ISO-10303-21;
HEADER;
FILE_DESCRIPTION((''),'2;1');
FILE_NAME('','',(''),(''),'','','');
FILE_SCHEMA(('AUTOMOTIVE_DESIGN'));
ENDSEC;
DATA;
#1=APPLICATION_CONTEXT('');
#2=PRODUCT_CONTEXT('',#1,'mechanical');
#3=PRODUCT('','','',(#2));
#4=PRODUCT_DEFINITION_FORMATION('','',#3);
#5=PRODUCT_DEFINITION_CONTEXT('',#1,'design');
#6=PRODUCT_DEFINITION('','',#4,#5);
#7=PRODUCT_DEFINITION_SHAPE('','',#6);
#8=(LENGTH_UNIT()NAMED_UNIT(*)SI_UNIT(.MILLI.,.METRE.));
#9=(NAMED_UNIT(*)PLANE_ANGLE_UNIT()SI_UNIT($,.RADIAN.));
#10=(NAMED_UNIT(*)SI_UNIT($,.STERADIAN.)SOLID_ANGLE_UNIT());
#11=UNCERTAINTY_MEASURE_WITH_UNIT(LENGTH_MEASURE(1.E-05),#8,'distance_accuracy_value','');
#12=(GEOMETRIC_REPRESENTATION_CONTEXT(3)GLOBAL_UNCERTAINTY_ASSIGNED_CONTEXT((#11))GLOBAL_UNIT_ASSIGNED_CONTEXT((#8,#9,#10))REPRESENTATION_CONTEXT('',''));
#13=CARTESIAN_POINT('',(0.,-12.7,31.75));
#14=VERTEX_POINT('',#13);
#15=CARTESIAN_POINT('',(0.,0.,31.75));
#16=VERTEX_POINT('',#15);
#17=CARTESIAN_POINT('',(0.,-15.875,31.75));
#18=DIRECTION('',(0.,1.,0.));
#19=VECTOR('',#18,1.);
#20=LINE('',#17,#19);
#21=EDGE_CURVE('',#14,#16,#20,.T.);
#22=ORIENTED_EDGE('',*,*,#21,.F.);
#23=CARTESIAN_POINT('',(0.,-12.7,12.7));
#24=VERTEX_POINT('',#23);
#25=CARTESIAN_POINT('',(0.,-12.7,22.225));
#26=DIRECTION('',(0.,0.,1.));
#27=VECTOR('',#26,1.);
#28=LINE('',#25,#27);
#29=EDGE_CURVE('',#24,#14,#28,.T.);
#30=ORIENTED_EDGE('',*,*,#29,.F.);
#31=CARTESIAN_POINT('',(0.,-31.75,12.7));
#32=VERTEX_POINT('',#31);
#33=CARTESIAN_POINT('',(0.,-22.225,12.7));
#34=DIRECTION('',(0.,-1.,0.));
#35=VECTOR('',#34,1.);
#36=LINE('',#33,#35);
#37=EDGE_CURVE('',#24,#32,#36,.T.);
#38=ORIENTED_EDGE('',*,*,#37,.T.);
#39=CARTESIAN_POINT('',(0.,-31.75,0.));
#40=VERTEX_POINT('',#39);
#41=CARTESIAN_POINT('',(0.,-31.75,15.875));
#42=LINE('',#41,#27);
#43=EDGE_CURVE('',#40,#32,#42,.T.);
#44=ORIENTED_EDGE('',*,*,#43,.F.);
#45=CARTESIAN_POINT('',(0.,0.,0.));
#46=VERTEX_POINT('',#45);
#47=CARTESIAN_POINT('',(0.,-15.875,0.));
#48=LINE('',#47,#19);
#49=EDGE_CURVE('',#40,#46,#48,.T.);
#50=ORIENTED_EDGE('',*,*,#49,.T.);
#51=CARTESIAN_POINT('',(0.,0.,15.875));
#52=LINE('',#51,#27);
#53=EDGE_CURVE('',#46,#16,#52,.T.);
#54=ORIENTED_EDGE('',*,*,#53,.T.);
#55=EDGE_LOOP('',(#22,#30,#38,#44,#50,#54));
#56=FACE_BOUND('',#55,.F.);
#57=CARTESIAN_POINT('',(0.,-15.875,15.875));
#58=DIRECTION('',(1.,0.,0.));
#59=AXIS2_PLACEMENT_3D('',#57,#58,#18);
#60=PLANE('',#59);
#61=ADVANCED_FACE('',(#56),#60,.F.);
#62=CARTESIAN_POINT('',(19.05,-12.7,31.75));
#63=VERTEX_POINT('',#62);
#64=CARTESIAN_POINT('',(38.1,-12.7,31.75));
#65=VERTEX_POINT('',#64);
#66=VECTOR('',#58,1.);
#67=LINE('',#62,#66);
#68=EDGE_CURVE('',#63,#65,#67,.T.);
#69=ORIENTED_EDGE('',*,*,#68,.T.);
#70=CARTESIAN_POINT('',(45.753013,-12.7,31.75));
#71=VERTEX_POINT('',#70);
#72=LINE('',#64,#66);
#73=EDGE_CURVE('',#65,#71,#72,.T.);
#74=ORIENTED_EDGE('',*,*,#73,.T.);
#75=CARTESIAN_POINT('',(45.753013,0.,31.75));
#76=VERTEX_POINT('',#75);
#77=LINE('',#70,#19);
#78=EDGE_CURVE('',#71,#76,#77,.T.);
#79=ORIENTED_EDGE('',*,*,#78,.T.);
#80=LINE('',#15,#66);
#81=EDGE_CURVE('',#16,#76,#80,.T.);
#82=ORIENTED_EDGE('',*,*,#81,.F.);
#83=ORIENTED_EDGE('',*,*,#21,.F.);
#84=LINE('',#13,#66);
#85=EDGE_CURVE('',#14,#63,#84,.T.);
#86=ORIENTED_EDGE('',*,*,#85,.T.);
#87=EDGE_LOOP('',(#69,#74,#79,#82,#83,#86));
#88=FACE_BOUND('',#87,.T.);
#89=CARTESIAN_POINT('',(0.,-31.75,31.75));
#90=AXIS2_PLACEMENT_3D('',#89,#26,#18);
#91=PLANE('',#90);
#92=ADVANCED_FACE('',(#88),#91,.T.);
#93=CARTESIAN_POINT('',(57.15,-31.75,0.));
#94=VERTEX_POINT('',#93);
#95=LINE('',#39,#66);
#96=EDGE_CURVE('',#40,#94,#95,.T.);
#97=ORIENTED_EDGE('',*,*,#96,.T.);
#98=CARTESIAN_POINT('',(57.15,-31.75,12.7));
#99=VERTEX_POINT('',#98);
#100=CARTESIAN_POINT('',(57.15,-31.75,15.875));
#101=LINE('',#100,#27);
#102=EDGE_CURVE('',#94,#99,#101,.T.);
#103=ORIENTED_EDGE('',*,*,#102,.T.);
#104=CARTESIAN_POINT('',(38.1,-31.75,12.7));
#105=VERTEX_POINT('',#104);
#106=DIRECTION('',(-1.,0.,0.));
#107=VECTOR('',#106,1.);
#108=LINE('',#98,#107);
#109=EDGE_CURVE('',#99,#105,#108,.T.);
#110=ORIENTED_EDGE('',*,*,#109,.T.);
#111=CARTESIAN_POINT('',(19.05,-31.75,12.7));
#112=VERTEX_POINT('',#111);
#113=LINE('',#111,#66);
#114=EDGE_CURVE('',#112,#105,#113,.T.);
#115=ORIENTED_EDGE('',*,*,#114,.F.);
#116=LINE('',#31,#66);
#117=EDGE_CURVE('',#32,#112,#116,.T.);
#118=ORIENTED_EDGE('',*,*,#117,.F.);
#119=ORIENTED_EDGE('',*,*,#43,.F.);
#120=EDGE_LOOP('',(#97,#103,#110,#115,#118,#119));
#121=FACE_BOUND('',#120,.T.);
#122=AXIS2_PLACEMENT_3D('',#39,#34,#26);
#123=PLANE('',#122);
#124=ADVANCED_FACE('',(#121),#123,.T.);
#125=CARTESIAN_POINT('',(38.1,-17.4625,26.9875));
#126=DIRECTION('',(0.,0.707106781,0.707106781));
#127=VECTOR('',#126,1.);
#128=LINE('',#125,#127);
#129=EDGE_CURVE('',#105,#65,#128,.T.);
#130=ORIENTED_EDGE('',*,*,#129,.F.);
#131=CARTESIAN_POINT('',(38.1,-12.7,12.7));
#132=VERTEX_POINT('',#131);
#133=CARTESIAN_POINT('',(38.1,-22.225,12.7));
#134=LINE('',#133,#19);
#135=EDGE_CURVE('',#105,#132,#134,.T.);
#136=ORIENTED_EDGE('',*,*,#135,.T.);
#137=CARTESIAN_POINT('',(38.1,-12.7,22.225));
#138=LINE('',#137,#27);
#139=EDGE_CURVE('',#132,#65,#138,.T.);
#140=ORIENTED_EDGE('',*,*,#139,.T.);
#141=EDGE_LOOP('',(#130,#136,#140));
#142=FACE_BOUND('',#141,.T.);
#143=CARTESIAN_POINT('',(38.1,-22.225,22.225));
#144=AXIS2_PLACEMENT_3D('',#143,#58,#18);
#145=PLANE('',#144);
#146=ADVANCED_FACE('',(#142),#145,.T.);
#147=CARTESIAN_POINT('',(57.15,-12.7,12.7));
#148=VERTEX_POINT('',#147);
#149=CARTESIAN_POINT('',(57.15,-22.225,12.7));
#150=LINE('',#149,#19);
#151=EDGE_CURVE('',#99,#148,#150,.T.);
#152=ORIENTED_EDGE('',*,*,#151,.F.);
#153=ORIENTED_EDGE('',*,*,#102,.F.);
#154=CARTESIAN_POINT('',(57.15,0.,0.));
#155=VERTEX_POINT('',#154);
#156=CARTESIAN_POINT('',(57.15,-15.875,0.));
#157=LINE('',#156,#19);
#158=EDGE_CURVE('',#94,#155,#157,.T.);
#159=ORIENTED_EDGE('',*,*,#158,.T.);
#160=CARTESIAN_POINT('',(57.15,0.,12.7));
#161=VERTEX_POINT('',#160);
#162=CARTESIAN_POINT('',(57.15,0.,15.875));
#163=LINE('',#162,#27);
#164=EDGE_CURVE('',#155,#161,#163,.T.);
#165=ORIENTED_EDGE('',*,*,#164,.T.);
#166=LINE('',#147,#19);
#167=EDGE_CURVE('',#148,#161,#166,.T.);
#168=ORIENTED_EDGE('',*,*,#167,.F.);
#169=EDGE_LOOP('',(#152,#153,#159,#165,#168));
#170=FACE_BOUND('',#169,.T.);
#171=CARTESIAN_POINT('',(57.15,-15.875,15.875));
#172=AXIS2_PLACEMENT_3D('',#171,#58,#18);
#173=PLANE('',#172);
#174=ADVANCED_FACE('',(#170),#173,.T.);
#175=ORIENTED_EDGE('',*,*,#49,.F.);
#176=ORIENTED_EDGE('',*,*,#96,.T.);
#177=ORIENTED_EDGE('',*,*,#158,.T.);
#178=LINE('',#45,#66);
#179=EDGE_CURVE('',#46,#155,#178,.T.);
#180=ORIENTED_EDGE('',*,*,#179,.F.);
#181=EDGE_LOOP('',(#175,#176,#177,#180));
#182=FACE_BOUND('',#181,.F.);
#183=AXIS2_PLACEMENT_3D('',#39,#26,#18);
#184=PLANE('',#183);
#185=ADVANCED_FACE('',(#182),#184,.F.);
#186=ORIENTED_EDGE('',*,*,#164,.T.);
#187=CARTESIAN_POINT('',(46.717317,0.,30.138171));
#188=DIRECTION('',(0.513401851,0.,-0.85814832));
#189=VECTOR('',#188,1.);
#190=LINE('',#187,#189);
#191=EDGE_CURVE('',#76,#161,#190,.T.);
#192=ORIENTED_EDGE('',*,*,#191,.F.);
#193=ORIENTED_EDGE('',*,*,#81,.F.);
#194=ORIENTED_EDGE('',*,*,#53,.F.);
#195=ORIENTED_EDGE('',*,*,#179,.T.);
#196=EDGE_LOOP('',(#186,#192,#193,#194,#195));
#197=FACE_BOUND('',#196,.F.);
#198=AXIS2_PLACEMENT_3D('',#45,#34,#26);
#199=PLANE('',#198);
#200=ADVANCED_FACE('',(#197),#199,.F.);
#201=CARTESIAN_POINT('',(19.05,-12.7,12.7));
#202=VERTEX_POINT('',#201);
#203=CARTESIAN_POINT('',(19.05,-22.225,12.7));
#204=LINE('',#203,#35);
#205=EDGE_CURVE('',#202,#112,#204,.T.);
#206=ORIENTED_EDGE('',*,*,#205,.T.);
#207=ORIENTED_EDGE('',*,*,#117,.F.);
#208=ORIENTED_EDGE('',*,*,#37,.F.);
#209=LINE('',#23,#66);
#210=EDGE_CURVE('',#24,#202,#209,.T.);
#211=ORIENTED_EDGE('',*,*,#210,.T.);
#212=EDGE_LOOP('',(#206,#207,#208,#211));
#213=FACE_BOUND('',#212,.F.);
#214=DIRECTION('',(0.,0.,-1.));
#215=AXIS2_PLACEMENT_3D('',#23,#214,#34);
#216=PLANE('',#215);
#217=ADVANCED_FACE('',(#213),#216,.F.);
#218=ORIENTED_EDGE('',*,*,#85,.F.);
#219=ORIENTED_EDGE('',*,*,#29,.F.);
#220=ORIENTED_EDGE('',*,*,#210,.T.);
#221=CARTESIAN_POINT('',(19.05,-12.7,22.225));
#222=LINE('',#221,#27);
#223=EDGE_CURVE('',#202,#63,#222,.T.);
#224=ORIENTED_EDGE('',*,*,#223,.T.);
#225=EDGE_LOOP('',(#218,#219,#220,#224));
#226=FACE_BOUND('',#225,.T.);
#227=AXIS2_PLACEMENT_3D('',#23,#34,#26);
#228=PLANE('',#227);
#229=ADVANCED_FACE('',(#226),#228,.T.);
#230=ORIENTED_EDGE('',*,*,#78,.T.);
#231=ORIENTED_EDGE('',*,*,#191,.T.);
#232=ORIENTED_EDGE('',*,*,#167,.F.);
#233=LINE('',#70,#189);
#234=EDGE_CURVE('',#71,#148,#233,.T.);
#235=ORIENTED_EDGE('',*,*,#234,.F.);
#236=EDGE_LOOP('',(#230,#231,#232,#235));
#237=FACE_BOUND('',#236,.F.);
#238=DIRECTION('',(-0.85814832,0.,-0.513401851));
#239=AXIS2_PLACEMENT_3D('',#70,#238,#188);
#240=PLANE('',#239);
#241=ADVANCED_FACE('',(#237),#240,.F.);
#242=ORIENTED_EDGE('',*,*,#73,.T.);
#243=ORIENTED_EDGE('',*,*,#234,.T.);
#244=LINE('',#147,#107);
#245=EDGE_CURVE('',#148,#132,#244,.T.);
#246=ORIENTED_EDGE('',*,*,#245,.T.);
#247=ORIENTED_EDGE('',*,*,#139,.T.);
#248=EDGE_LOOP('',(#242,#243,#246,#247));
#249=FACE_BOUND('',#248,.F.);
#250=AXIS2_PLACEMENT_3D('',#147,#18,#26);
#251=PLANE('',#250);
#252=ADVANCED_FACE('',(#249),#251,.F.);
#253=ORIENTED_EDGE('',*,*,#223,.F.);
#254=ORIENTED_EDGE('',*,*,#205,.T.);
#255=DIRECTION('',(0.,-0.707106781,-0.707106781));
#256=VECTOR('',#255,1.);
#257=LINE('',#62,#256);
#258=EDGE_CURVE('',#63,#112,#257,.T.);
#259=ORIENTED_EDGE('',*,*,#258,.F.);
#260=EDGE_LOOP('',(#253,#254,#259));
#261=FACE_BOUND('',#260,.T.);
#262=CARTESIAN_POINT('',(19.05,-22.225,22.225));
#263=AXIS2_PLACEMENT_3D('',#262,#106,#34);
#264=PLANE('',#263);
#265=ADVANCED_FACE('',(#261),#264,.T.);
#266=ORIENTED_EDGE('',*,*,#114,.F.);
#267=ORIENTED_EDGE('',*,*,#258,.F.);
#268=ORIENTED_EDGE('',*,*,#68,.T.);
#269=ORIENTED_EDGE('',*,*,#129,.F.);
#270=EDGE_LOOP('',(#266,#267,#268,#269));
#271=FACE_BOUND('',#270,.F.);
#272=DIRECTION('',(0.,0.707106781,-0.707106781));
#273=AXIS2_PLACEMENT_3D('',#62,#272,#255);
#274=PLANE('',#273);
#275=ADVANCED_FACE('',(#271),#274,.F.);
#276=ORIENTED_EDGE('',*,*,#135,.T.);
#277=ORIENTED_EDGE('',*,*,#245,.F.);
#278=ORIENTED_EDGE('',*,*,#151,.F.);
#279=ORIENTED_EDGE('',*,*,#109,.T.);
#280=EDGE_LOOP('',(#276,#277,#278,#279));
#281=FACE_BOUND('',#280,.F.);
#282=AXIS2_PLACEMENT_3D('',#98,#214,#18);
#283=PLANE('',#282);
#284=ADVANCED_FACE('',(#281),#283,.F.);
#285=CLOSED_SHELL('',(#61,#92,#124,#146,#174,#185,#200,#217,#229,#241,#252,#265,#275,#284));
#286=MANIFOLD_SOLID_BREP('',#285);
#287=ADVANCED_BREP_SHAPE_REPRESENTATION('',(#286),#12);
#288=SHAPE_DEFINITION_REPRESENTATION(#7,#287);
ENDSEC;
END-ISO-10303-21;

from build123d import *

# Parameters (mm, degrees)
F0_W     = 31.75
F0_H     = 31.75
F1_DEPTH = 57.15
F2_W     = 19.05
F2_H     = 19.05
F3_DEPTH = 19.05
F4_W     = 19.05
F4_H     = 19.05
F5_DEPTH = 19.05
F7_DEPTH = 25.4
F9_DEPTH = 25.4


with BuildPart() as f1:
    # F0 (on Right) → F1 (new body)
    with BuildSketch(Plane.YZ):
        with Locations((-15.875, 15.875)):
            Rectangle(F0_W, F0_H)
    extrude(amount=F1_DEPTH)

    # F2 (on face) → F3 (cut)
    with BuildSketch(Plane(origin=(0, 0, 0), x_dir=(0, -1, 0), z_dir=(-1, 0, 0))):
        with Locations((22.225, 22.225)):
            Rectangle(F2_W, F2_H)
    extrude(amount=-F3_DEPTH, mode=Mode.SUBTRACT)

    # F4 (on face) → F5 (cut)
    with BuildSketch(Plane.YZ.offset(57.15)):
        with Locations((-22.225, 22.225)):
            Rectangle(F4_W, F4_H)
    extrude(amount=-F5_DEPTH, mode=Mode.SUBTRACT)

    # F6 (on face) → F7 (cut)
    with BuildSketch(Plane.XZ.offset(12.7)):
        Polygon((45.753013, 31.75), (57.15, 12.7), (57.15, 31.75), align=None)
    extrude(amount=-F7_DEPTH, mode=Mode.SUBTRACT)

    # F8 (on face) → F9 (cut)
    with BuildSketch(Plane(origin=(19.05, 0, 0), x_dir=(0, -1, 0), z_dir=(-1, 0, 0))):
        Polygon((12.7, 31.75), (31.75, 12.7), (31.75, 31.75), align=None)
    extrude(amount=-F9_DEPTH, mode=Mode.SUBTRACT)


solid = f1.part
